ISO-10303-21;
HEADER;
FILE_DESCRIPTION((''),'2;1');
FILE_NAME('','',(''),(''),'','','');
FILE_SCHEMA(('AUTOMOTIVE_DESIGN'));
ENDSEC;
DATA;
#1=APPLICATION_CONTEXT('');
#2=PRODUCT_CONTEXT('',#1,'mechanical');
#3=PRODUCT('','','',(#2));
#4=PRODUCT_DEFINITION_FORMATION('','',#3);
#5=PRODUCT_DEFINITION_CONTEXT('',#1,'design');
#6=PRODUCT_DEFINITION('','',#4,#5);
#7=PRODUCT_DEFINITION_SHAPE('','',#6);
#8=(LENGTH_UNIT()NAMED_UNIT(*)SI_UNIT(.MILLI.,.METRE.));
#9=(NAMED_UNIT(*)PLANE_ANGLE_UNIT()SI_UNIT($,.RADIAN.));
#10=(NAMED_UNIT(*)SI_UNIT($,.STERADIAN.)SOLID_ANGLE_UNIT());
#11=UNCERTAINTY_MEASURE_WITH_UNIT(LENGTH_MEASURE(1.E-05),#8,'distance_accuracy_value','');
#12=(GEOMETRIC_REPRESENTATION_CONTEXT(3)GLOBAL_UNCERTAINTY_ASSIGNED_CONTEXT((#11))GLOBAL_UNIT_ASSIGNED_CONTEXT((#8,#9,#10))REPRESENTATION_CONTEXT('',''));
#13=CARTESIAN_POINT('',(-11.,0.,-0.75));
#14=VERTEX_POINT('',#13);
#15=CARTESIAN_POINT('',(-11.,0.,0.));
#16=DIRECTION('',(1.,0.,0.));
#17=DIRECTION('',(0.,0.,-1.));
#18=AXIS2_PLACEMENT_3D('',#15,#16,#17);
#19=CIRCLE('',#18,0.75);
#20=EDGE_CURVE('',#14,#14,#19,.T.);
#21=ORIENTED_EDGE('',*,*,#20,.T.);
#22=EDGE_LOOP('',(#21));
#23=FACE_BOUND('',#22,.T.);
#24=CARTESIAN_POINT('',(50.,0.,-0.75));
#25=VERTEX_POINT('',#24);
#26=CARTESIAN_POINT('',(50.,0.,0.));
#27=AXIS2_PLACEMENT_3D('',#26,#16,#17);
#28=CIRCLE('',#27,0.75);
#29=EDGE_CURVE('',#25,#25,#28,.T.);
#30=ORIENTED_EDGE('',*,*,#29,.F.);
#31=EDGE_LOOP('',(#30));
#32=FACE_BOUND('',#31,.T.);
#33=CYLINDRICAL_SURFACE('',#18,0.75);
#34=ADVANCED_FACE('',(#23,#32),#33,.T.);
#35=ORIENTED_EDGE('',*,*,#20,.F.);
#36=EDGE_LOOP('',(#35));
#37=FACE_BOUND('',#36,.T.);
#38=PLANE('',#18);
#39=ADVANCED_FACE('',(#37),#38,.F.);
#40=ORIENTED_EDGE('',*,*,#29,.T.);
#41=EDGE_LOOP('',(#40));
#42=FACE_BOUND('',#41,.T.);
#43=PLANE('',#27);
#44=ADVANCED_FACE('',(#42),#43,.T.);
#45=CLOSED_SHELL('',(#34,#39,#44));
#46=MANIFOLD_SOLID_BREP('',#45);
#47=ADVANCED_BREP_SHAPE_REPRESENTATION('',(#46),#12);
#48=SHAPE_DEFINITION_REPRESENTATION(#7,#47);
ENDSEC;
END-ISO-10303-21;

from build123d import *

# Parameters (mm, degrees)
SKETCH1_R                = 0.75
BOSS_EXTRUDE1_DEPTH      = 50
BOSS_EXTRUDE1_DEPTH_BACK = 11


with BuildPart() as part:
    # Sketch1 → Boss-Extrude1 (new body, two sides)
    with BuildSketch(Plane(origin=(0, 0, 0), x_dir=(0, 0, -1), z_dir=(1, 0, 0))) as boss_extrude1_sk:
        Circle(SKETCH1_R)
    extrude(amount=BOSS_EXTRUDE1_DEPTH)
    extrude(boss_extrude1_sk.sketch, amount=-BOSS_EXTRUDE1_DEPTH_BACK)


solid = part.part
